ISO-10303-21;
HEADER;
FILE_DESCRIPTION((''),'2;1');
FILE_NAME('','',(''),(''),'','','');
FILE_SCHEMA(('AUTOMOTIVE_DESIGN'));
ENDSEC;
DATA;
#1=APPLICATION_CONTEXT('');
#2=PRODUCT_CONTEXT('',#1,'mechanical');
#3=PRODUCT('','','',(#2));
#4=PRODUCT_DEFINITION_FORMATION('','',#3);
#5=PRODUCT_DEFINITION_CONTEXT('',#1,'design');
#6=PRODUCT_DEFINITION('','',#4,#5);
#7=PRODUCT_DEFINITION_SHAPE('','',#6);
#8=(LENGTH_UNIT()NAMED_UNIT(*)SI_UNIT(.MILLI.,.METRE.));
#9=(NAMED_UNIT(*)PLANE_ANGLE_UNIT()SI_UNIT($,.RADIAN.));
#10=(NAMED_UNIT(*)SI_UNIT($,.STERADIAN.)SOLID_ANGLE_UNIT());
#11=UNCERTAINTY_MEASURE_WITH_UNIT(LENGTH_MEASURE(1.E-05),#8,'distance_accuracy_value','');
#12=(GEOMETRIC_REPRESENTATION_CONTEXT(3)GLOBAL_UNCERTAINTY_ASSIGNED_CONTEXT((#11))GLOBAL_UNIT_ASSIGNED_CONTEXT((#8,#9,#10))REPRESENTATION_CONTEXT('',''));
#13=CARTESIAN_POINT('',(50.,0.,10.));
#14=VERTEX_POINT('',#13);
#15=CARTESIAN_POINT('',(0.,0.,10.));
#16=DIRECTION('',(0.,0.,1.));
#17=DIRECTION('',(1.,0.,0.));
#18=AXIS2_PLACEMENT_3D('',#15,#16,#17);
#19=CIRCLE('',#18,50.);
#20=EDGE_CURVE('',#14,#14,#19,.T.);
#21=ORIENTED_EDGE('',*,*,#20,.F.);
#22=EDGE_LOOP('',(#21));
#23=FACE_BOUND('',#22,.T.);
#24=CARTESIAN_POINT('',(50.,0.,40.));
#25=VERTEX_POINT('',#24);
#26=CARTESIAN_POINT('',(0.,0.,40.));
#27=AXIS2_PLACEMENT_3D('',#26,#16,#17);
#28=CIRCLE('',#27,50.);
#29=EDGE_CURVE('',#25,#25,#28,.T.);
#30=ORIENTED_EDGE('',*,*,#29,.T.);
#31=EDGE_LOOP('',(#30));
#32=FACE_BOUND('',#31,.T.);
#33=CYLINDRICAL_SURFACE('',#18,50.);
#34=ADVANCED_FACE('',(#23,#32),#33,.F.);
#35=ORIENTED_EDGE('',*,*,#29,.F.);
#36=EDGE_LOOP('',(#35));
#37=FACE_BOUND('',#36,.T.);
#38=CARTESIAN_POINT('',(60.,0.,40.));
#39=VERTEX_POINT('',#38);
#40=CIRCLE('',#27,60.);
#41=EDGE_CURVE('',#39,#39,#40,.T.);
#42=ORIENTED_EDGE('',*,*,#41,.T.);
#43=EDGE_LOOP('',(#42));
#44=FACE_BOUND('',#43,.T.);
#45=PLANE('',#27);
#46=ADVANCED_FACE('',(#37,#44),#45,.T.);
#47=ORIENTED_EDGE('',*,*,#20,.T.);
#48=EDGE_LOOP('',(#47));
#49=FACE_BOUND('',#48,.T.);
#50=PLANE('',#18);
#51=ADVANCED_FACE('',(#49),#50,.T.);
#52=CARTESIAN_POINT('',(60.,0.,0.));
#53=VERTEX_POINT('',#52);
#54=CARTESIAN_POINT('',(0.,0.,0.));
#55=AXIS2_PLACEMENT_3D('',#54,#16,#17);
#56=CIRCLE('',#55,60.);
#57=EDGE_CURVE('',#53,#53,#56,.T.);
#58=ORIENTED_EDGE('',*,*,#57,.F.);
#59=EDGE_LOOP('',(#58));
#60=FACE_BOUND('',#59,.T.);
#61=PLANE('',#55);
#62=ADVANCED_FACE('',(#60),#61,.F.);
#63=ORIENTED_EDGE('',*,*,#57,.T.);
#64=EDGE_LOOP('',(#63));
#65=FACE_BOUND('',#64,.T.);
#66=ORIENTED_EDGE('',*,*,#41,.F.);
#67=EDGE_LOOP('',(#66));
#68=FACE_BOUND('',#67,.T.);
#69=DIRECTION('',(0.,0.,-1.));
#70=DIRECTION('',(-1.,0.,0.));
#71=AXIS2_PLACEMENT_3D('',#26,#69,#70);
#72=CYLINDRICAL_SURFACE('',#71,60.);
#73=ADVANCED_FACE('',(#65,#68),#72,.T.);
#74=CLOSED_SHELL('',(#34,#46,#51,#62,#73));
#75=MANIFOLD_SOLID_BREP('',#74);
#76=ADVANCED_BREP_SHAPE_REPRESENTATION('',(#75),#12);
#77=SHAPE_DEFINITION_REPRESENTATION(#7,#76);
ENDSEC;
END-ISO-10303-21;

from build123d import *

# Parameters (mm, degrees)
SKIZZE1_R                       = 60
AUFSATZ_LINEAR_AUSTRAGEN1_DEPTH = 40
SKIZZE2_R                       = 50
SCHNITT_LINEAR_AUSTRAGEN1_DEPTH = 30


with BuildPart() as part:
    # Skizze1 → Aufsatz-Linear austragen1 (new body)
    with BuildSketch(Plane.XY):
        Circle(SKIZZE1_R)
    extrude(amount=AUFSATZ_LINEAR_AUSTRAGEN1_DEPTH)

    # Skizze2 → Schnitt-Linear austragen1 (cut)
    with BuildSketch(Plane.XY.offset(40)):
        Circle(SKIZZE2_R)
    extrude(amount=-SCHNITT_LINEAR_AUSTRAGEN1_DEPTH, mode=Mode.SUBTRACT)


solid = part.part
